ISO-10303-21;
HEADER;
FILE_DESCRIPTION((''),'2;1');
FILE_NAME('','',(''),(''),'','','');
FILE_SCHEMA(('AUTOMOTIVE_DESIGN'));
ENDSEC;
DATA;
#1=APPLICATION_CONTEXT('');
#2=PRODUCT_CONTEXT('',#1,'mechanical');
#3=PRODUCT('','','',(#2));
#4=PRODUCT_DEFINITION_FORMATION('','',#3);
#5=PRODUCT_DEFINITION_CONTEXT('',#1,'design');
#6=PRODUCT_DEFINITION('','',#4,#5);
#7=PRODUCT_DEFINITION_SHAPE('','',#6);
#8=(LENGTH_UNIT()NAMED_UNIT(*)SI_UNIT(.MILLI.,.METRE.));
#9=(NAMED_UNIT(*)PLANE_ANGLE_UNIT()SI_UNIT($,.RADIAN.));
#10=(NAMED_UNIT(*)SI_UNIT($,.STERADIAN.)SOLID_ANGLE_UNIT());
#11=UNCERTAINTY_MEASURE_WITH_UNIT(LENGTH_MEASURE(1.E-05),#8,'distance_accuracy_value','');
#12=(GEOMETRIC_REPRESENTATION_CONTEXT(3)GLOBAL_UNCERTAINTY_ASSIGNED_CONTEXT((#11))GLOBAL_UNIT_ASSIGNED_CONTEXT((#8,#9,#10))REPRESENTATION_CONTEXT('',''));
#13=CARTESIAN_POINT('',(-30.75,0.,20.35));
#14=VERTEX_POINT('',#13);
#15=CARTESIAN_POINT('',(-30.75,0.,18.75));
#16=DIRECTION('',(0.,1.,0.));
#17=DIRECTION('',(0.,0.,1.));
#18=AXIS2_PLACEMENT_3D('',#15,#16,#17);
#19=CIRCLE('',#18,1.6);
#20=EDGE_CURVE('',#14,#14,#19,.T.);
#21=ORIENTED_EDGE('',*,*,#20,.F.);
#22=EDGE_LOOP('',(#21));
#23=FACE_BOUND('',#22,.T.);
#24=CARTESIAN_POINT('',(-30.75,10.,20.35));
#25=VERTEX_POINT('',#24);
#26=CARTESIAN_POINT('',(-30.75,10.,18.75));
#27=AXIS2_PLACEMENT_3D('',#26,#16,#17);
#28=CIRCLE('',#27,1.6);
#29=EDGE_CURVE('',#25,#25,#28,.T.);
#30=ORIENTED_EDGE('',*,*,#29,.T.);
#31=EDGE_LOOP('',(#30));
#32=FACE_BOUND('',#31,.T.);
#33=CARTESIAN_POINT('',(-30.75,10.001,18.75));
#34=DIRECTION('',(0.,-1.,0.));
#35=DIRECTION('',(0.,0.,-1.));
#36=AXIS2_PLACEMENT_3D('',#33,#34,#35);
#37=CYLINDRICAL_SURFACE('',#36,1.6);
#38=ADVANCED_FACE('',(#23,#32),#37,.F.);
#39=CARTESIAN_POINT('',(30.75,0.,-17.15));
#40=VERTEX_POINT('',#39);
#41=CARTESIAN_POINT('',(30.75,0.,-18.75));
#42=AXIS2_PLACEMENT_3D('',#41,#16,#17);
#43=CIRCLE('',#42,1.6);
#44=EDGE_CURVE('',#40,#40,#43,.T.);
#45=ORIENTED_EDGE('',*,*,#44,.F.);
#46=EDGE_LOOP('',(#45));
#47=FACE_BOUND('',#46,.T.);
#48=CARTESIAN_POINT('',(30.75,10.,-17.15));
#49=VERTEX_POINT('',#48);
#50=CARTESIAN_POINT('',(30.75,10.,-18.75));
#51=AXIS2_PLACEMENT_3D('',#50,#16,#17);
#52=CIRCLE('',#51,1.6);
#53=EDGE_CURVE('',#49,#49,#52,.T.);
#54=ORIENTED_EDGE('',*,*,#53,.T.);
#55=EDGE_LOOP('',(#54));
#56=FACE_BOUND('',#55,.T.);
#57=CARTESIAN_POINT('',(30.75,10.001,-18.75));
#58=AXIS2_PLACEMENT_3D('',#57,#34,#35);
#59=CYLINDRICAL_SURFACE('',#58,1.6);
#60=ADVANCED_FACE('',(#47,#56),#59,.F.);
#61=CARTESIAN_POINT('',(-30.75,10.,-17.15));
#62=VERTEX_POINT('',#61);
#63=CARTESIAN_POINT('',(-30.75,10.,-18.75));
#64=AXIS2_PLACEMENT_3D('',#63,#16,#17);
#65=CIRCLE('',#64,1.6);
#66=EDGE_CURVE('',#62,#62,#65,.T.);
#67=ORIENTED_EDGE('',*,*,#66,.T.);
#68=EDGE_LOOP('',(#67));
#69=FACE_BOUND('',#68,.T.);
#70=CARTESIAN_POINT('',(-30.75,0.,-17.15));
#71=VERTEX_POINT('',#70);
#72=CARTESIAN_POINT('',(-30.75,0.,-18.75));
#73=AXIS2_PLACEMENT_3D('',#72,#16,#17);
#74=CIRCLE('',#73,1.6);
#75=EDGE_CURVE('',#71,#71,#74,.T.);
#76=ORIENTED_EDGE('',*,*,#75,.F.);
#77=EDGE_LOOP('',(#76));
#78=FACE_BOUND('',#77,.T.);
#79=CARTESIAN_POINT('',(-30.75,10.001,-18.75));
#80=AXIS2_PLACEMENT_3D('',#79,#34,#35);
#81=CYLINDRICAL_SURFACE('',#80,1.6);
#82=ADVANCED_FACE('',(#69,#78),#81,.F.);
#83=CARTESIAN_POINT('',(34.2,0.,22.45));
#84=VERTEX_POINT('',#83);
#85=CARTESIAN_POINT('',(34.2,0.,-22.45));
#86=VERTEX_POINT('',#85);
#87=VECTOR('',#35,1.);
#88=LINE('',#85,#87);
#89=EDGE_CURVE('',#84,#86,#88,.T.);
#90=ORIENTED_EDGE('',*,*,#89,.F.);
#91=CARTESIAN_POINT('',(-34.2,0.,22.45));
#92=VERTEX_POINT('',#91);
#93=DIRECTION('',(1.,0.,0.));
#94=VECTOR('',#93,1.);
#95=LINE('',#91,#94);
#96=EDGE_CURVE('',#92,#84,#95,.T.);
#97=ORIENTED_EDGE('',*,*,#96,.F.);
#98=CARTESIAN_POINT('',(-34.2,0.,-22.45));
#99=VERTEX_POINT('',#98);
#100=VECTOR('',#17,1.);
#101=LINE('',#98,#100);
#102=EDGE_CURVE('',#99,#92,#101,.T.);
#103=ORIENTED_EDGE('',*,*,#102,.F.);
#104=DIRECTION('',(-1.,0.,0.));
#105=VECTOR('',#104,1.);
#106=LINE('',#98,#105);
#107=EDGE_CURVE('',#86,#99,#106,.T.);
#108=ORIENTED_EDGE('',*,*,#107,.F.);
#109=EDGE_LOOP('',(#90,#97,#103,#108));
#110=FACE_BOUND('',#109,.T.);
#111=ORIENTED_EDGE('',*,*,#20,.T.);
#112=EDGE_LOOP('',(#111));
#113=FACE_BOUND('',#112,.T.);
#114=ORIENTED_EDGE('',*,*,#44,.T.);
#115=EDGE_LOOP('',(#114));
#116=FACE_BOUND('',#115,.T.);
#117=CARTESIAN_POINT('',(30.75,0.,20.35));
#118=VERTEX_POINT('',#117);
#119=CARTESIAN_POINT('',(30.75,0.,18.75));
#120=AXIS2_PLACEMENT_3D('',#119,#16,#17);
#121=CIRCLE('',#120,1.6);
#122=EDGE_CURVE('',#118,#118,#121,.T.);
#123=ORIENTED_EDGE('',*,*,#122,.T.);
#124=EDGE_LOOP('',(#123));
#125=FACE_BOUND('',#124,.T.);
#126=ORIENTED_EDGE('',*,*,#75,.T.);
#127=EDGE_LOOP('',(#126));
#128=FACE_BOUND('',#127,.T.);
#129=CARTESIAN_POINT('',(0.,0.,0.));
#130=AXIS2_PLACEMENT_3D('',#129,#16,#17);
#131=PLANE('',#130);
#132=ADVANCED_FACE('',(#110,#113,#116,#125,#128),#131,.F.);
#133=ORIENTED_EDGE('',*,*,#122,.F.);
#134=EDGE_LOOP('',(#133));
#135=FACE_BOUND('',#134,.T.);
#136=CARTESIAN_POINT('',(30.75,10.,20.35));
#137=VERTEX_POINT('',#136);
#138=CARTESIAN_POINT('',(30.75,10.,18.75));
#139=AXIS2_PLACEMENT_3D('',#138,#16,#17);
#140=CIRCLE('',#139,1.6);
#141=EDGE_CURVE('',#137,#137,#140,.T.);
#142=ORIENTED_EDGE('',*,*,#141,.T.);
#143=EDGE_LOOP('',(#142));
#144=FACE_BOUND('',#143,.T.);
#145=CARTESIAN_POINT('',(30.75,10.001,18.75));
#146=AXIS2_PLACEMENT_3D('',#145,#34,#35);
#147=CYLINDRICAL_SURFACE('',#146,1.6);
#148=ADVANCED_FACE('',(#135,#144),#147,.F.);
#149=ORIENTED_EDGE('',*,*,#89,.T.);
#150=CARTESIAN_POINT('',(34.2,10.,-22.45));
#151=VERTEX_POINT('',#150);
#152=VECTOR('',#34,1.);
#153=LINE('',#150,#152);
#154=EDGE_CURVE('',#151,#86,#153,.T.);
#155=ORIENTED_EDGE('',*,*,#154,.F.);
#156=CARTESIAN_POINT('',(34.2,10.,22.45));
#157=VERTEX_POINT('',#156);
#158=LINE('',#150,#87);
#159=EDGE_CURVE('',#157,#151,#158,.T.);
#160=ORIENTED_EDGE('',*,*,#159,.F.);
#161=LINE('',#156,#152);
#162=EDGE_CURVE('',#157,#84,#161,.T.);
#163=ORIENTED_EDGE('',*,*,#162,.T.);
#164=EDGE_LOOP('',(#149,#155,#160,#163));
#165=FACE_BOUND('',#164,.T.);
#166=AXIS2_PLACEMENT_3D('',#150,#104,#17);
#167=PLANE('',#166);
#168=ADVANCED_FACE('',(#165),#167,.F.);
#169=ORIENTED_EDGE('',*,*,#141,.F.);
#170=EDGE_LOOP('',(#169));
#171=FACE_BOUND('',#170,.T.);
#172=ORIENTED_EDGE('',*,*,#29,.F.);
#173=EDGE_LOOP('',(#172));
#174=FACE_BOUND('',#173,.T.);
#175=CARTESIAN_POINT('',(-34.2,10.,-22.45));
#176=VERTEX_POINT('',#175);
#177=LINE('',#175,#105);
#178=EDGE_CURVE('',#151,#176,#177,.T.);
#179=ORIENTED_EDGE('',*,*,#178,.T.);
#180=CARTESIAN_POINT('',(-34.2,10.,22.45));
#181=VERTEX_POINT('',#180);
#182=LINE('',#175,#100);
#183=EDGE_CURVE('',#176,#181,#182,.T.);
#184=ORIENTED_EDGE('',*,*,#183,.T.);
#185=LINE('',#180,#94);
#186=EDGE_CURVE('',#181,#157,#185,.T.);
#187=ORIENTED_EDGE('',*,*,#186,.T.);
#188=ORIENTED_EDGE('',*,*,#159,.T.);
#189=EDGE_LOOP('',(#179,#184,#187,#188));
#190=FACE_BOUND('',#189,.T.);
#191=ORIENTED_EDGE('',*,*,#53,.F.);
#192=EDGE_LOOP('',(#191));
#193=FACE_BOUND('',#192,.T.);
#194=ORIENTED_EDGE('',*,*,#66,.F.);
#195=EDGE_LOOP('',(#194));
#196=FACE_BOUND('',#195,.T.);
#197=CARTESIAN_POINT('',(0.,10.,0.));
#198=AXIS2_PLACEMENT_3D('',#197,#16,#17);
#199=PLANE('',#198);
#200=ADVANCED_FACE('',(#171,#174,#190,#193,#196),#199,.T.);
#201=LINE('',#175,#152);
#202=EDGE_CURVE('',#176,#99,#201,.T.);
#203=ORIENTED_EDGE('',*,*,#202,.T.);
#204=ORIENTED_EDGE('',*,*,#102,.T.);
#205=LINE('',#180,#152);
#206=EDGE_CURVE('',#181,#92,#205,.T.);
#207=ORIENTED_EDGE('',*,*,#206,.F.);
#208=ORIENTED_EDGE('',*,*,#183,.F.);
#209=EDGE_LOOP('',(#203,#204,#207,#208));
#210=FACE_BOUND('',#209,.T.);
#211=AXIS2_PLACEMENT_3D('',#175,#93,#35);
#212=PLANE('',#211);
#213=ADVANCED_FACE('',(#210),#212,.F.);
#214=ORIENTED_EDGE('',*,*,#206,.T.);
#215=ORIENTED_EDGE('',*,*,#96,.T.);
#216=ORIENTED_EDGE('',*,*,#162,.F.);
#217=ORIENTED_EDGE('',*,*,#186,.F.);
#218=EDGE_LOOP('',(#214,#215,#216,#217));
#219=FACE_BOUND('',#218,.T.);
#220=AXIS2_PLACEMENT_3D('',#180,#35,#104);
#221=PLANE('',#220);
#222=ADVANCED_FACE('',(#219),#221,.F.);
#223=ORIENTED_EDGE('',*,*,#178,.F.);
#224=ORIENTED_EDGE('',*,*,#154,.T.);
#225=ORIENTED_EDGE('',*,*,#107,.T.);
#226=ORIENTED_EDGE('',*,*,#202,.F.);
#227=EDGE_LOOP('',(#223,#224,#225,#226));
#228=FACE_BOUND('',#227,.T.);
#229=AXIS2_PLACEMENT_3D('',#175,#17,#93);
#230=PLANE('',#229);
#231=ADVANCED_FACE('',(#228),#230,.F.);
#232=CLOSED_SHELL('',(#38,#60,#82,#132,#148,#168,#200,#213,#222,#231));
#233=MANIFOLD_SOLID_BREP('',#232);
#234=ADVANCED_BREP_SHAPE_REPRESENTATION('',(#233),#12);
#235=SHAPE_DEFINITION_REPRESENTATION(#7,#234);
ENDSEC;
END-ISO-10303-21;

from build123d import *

# Parameters (mm, degrees)
SKETCH1_W           = 68.4
SKETCH1_H           = 44.9
BOSS_EXTRUDE1_DEPTH = 10
CUT_EXTRUDE1_REACH  = 44.115
SKETCH2_R           = 1.6


with BuildPart() as part:
    # Sketch1 → Boss-Extrude1 (new body)
    with BuildSketch(Plane(origin=(0, 0, 0), x_dir=(1, 0, 0), z_dir=(0, 1, 0))):
        Rectangle(SKETCH1_W, SKETCH1_H)
    extrude(amount=BOSS_EXTRUDE1_DEPTH)

    # Sketch2 → Cut-Extrude1 (cut, up to next)
    with BuildSketch(Plane(origin=(0, 0, 0), x_dir=(1, 0, 0), z_dir=(0, 1, 0)), mode=Mode.PRIVATE) as cut_extrude1_sk1:
        with Locations(Location((30.75, 18.75, 0), (0, 0, 270))):
            Circle(SKETCH2_R)
    cut_extrude1_tool1 = extrude(cut_extrude1_sk1.sketch, amount=CUT_EXTRUDE1_REACH, mode=Mode.PRIVATE) & part.part
    # Sketch2 → Cut-Extrude1 (cut, up to next)
    with BuildSketch(Plane(origin=(0, 0, 0), x_dir=(1, 0, 0), z_dir=(0, 1, 0)), mode=Mode.PRIVATE) as cut_extrude1_sk2:
        with Locations(Location((30.75, -18.75, 0), (0, 0, 270))):
            Circle(SKETCH2_R)
    cut_extrude1_tool2 = extrude(cut_extrude1_sk2.sketch, amount=CUT_EXTRUDE1_REACH, mode=Mode.PRIVATE) & part.part
    # Sketch2 → Cut-Extrude1 (cut, up to next)
    with BuildSketch(Plane(origin=(0, 0, 0), x_dir=(1, 0, 0), z_dir=(0, 1, 0)), mode=Mode.PRIVATE) as cut_extrude1_sk3:
        with Locations(Location((-30.75, -18.75, 0), (0, 0, 270))):
            Circle(SKETCH2_R)
    cut_extrude1_tool3 = extrude(cut_extrude1_sk3.sketch, amount=CUT_EXTRUDE1_REACH, mode=Mode.PRIVATE) & part.part
    # Sketch2 → Cut-Extrude1 (cut, up to next)
    with BuildSketch(Plane(origin=(0, 0, 0), x_dir=(1, 0, 0), z_dir=(0, 1, 0)), mode=Mode.PRIVATE) as cut_extrude1_sk4:
        with Locations(Location((-30.75, 18.75, 0), (0, 0, 270))):
            Circle(SKETCH2_R)
    cut_extrude1_tool4 = extrude(cut_extrude1_sk4.sketch, amount=CUT_EXTRUDE1_REACH, mode=Mode.PRIVATE) & part.part
    add(cut_extrude1_tool1.solids().sort_by_distance((30.75, 0, -18.75))[0], mode=Mode.SUBTRACT)
    add(cut_extrude1_tool2.solids().sort_by_distance((30.75, 0, 18.75))[0], mode=Mode.SUBTRACT)
    add(cut_extrude1_tool3.solids().sort_by_distance((-30.75, 0, 18.75))[0], mode=Mode.SUBTRACT)
    add(cut_extrude1_tool4.solids().sort_by_distance((-30.75, 0, -18.75))[0], mode=Mode.SUBTRACT)


solid = part.part
